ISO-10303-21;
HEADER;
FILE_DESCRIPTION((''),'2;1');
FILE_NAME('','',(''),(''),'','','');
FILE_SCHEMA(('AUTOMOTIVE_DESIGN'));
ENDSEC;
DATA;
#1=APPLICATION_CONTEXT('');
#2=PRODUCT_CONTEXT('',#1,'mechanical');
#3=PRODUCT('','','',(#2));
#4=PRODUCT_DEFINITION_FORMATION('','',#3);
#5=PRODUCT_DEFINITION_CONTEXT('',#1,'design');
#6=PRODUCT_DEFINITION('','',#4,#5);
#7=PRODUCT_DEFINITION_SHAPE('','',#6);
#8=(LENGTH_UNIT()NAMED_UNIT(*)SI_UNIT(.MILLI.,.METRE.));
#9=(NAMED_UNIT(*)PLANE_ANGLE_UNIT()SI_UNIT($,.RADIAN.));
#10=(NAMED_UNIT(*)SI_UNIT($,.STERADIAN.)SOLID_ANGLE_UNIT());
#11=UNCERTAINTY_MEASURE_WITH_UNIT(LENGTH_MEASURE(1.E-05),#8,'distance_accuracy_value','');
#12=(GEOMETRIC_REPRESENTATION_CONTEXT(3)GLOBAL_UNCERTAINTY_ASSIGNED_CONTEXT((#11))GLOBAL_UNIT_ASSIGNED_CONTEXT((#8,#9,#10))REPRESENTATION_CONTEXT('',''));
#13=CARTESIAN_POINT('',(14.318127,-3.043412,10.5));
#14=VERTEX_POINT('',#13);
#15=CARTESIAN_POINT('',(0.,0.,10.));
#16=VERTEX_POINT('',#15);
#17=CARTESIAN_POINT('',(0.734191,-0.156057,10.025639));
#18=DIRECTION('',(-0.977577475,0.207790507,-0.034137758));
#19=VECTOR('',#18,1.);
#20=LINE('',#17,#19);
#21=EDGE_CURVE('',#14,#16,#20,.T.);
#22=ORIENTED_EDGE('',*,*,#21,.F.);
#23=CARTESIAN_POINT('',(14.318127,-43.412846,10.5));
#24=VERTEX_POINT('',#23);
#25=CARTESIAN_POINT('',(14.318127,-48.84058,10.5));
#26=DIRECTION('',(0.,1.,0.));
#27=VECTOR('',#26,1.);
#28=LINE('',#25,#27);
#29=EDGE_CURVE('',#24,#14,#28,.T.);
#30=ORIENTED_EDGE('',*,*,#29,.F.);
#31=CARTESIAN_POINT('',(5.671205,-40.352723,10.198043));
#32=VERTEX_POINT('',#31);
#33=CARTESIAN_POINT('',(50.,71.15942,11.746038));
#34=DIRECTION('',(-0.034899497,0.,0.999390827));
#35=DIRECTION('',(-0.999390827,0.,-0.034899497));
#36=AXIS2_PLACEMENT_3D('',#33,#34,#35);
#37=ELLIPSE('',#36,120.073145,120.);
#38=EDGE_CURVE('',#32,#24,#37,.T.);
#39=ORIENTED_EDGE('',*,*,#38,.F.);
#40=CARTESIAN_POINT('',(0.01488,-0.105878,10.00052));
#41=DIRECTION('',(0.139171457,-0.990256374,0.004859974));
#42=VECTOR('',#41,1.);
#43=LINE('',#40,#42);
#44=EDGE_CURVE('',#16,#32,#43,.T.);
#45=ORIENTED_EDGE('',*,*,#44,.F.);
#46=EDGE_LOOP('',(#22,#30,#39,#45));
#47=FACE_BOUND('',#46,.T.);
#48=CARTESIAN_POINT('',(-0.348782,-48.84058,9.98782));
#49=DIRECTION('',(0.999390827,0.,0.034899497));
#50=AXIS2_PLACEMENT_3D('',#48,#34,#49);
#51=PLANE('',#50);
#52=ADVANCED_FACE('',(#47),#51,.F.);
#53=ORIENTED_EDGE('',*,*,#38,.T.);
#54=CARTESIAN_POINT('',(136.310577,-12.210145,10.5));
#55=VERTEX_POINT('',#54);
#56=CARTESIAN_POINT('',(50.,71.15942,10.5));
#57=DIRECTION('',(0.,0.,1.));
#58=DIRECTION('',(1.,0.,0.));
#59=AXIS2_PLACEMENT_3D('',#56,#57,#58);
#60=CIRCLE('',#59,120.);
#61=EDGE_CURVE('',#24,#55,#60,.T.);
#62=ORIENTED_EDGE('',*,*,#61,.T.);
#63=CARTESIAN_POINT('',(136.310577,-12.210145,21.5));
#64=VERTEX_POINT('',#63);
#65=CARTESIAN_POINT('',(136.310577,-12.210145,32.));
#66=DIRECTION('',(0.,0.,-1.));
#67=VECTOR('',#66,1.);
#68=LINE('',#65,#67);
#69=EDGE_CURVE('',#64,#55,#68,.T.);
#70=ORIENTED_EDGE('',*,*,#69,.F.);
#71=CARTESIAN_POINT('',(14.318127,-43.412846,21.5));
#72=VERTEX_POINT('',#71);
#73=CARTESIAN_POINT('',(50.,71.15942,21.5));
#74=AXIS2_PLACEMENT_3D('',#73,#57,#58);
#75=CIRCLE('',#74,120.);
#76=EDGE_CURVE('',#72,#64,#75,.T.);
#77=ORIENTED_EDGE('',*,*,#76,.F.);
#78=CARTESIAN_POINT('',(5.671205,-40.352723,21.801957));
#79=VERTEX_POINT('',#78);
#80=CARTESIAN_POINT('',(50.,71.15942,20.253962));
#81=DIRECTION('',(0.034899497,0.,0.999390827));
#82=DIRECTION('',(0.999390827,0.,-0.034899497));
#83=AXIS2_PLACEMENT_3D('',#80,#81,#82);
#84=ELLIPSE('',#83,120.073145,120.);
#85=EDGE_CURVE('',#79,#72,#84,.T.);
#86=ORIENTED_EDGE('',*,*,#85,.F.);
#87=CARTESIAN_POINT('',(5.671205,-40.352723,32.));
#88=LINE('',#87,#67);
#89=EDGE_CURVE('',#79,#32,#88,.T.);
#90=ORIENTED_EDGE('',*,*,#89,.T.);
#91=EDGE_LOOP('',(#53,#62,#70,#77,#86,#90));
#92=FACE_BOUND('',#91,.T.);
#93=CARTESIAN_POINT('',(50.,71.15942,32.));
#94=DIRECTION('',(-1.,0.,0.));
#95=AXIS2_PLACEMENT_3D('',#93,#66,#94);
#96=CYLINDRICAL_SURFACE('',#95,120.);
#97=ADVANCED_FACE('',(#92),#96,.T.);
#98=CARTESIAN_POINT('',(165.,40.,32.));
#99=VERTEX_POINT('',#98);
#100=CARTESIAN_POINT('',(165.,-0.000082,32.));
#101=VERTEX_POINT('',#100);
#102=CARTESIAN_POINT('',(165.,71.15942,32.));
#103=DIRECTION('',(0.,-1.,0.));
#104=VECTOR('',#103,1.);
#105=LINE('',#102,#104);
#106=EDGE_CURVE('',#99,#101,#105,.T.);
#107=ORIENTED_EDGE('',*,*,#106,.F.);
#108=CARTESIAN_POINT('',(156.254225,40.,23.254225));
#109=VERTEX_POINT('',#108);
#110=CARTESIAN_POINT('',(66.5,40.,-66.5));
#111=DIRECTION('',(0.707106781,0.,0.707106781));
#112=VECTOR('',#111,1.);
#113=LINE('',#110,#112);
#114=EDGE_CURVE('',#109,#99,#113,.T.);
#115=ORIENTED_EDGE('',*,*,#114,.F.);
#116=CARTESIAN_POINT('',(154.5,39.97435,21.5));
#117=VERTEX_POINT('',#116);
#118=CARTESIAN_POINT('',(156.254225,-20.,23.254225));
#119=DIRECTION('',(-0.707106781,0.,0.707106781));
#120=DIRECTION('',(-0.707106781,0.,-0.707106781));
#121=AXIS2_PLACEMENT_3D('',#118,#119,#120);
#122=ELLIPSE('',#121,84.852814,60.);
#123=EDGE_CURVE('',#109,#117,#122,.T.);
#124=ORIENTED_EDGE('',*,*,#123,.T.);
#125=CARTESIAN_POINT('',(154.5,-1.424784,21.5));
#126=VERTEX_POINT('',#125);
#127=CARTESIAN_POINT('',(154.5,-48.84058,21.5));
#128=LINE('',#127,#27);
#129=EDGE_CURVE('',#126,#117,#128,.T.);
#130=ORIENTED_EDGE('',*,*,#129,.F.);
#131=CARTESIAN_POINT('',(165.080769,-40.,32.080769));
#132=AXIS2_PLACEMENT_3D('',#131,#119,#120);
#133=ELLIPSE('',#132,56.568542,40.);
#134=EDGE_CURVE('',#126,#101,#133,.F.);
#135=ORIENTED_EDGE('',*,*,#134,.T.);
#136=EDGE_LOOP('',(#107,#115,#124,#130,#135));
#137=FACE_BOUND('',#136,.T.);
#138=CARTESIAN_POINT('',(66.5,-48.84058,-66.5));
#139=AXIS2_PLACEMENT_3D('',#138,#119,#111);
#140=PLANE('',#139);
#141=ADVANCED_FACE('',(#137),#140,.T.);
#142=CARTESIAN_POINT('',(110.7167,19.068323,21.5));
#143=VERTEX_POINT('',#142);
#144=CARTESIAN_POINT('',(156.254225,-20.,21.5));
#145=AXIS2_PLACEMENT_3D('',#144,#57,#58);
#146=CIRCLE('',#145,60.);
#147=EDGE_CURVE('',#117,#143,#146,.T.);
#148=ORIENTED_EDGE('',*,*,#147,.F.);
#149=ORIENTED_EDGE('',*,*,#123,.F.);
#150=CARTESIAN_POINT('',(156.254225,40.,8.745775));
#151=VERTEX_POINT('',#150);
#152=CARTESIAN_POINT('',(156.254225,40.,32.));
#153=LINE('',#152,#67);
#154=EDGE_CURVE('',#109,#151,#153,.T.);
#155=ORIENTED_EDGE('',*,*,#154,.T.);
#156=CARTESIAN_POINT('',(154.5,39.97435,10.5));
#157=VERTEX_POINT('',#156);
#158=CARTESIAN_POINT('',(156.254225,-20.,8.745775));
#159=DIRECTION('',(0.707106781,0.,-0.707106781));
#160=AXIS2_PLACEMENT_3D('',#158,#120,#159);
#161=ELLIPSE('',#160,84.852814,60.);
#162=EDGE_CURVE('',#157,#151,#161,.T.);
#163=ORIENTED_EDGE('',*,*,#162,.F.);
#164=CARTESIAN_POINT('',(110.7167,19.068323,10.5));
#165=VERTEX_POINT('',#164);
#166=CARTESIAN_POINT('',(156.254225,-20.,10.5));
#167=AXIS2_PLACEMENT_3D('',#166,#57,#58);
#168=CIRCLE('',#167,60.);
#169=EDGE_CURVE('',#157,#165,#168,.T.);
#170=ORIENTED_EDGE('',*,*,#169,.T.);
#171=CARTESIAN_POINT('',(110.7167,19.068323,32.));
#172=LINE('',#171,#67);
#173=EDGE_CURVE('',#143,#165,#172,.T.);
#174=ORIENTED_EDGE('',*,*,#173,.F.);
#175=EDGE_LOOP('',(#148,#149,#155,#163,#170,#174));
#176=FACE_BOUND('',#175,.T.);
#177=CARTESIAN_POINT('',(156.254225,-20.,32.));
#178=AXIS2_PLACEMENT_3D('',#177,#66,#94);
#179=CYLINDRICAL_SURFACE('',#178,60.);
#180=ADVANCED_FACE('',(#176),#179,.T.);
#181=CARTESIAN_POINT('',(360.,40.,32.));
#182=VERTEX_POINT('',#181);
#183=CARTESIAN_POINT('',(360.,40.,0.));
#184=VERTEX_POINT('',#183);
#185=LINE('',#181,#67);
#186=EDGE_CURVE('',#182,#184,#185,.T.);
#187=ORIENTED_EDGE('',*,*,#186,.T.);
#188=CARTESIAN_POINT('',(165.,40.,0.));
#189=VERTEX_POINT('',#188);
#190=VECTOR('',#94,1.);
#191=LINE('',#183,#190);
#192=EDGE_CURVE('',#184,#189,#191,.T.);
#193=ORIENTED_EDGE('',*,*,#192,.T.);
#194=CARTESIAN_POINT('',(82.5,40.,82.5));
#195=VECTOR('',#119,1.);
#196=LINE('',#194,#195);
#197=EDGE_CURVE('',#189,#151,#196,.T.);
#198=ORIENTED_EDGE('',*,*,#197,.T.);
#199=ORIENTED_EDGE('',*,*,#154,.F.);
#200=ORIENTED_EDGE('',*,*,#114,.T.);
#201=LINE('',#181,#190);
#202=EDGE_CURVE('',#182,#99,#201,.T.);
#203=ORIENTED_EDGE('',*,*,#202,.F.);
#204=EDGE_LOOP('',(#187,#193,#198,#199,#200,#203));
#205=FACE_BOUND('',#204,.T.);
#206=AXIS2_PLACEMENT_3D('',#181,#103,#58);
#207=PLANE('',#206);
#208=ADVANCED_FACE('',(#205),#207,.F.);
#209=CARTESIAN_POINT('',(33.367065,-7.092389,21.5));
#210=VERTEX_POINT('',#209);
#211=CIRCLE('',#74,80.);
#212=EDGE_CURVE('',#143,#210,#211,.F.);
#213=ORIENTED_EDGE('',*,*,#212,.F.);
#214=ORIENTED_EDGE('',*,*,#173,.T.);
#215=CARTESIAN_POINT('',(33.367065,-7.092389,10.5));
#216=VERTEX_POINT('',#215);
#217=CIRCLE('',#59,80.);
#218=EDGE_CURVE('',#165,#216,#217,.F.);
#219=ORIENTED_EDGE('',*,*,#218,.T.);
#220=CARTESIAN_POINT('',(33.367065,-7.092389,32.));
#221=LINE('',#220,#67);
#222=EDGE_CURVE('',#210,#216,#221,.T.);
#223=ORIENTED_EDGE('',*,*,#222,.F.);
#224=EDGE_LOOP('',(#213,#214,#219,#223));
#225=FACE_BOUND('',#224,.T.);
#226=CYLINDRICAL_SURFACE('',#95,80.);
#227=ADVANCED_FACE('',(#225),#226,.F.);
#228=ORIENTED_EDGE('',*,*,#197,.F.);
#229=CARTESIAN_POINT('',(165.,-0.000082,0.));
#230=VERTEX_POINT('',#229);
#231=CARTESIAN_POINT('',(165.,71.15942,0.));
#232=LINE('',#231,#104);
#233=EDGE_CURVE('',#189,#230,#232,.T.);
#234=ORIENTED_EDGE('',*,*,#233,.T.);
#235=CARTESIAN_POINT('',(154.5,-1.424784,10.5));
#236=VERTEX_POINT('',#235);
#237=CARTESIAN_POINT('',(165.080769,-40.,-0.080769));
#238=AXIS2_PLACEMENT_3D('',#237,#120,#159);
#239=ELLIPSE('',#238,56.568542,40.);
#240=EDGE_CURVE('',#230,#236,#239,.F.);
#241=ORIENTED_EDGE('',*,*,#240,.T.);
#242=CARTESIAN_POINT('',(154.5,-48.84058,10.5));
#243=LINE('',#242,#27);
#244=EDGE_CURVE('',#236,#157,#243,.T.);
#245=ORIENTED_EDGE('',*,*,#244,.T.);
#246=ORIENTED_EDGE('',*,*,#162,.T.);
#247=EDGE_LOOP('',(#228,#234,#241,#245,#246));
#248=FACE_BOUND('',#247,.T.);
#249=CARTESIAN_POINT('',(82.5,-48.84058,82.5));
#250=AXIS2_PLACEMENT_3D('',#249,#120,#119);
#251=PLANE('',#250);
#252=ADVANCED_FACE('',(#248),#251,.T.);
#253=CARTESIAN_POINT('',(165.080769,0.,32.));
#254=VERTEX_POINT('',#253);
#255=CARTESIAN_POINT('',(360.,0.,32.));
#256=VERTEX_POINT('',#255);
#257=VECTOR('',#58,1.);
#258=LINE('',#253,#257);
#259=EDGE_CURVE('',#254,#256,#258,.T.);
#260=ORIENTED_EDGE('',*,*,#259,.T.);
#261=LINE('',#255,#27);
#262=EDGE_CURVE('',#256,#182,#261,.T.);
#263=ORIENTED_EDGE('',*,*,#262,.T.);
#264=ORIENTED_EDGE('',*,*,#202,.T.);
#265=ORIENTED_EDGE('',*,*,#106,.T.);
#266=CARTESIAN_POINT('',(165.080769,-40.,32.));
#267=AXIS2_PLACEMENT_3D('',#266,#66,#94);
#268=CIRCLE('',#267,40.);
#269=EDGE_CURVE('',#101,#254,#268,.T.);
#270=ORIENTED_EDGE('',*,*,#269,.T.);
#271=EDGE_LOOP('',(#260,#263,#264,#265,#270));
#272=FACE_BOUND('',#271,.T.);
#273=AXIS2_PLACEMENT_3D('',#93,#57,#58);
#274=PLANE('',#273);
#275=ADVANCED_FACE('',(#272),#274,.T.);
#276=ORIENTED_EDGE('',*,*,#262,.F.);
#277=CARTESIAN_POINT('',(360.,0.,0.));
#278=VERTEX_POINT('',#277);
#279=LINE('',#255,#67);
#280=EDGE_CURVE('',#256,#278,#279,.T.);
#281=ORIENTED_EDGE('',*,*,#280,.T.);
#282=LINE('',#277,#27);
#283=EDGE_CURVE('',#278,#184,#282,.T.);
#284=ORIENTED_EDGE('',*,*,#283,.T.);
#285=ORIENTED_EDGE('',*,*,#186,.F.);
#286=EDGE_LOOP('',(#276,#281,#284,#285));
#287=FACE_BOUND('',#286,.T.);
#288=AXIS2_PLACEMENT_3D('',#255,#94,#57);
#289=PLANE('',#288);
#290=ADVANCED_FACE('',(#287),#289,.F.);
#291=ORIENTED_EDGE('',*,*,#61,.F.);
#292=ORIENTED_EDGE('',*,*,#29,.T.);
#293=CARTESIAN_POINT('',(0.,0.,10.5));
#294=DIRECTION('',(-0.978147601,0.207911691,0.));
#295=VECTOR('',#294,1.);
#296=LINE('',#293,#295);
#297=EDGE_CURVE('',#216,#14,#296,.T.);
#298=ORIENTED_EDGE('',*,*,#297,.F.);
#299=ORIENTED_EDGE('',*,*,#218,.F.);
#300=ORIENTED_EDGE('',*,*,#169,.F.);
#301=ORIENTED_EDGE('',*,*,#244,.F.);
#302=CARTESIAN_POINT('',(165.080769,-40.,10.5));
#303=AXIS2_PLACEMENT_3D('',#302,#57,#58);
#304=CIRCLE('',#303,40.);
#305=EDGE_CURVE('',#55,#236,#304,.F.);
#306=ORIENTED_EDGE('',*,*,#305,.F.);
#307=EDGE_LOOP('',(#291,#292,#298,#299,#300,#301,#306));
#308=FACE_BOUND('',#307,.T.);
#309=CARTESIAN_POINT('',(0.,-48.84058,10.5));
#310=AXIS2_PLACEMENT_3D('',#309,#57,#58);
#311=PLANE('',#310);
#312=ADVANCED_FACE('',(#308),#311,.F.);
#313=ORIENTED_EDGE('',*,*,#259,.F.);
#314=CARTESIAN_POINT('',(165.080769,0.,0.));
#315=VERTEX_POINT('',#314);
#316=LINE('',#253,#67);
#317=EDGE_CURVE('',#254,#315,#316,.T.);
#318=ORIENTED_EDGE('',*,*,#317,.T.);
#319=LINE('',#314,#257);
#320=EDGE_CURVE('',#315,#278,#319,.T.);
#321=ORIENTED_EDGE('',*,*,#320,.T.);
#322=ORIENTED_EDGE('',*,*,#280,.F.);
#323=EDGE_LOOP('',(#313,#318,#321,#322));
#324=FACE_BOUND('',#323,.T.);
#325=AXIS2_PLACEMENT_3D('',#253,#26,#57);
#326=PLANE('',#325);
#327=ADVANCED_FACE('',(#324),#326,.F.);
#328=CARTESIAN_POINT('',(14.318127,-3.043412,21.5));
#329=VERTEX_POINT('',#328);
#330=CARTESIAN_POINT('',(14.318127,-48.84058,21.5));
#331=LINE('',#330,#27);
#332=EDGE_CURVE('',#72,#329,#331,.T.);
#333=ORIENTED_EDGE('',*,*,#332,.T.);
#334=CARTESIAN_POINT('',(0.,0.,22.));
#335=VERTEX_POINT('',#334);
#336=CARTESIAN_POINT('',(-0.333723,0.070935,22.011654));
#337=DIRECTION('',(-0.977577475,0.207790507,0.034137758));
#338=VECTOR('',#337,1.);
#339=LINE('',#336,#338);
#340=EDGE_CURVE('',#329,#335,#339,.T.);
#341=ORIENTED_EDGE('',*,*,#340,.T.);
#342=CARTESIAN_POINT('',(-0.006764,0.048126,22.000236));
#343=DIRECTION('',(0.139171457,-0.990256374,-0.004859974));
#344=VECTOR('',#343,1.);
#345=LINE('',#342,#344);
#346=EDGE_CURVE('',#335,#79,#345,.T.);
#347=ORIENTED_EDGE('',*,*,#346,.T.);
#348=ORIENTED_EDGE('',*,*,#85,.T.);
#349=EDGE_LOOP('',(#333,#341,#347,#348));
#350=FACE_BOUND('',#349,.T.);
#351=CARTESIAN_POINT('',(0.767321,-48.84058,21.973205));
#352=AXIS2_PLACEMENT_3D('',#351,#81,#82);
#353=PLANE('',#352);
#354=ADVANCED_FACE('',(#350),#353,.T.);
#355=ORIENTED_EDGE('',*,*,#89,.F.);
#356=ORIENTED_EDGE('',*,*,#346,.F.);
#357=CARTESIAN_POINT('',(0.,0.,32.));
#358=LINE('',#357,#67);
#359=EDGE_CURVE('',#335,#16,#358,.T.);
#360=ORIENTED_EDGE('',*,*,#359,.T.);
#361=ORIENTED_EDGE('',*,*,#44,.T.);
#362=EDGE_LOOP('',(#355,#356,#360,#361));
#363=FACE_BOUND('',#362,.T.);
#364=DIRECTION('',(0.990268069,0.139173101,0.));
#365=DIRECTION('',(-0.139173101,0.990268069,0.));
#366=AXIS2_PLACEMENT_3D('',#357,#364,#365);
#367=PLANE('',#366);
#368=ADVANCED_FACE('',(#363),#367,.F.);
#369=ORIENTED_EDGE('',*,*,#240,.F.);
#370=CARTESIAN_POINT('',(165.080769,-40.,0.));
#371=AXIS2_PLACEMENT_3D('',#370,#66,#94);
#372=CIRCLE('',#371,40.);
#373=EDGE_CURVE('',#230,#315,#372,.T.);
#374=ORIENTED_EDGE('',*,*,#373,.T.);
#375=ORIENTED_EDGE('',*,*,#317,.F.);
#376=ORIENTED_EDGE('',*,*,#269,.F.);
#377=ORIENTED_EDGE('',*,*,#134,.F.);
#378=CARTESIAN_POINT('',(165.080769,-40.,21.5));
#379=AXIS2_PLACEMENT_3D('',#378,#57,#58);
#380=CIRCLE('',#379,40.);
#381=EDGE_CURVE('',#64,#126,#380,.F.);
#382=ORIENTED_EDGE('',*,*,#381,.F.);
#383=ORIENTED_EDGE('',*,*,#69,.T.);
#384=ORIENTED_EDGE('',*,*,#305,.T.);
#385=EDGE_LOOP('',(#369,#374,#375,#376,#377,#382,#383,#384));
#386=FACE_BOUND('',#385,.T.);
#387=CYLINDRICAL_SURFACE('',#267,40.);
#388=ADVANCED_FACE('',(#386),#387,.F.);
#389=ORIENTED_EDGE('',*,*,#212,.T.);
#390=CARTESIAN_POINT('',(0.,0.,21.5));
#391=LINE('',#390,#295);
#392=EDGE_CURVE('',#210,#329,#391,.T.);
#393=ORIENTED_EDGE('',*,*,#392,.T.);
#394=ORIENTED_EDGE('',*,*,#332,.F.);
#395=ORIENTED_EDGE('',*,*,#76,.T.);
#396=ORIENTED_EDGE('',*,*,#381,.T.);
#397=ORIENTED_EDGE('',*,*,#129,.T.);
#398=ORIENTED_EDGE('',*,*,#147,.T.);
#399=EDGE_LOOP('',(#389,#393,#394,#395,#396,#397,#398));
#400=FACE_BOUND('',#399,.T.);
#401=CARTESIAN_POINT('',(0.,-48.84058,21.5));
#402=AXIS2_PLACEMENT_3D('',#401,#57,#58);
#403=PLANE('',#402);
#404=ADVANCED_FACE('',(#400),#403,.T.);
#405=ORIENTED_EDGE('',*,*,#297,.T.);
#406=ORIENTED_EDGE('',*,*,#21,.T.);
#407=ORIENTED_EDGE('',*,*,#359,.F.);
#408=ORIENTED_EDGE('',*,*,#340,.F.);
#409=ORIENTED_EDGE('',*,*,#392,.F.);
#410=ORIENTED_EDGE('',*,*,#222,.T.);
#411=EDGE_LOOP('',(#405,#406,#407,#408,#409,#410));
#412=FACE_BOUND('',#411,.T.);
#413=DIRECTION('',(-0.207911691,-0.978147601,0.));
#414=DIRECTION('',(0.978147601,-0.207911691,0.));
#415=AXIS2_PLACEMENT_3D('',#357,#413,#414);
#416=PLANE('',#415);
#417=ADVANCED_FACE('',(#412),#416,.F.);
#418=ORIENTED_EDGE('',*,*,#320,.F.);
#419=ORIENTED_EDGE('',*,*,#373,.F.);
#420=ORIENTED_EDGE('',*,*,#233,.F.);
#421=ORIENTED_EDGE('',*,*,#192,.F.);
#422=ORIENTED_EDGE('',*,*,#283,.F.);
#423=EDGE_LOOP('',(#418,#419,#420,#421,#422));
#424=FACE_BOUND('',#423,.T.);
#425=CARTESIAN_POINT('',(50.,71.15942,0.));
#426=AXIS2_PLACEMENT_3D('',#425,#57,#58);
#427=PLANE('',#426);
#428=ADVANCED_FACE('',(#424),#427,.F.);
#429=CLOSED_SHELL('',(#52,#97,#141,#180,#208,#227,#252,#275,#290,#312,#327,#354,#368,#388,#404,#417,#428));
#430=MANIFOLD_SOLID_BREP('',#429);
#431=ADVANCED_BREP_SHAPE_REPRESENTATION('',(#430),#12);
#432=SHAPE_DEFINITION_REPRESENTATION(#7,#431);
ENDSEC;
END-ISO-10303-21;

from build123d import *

# Parameters (mm, degrees)
BOSS_EXTRUDE1_DEPTH = 32
CUT_EXTRUDE1_DEPTH  = 373.178248616
CUT_EXTRUDE2_DEPTH  = 373.178248616


with BuildPart() as part:
    # Sketch1 → Boss-Extrude1 (new body)
    with BuildSketch(Plane.XY):
        with BuildLine():
            Line((0, 0), (5.6712054, -40.352723193))
            ThreePointArc((5.6712054, -40.352723193), (75.270905948, -46.149494531), (136.31057695, -12.210145124))
            ThreePointArc((136.31057695, -12.210145124), (149.453776515, -3.178849861), (165.080769267, 0))
            Line((165.080769267, 0), (360, 0))
            Line((360, 0), (360, 40))
            Line((360, 40), (156.254224553, 40))
            ThreePointArc((156.254224553, 40), (131.195287612, 34.51650832), (110.716699745, 19.068322645))
            ThreePointArc((110.716699745, 19.068322645), (75.630846168, -4.623558298), (33.367064735, -7.092388553))
            Line((33.367064735, -7.092388553), (0, 0))
        make_face()
    extrude(amount=BOSS_EXTRUDE1_DEPTH)

    # Sketch3 → Cut-Extrude1 (cut, through all)
    with BuildSketch(Plane(origin=(0, 40, 0), x_dir=(1, 0, 0), z_dir=(0, 1, 0))):
        Polygon((165, 0), (0, 0), (0, -10), (155, -10), align=None)
        Polygon((0, -32), (165, -32), (155, -22), (0, -22), align=None)
    extrude(amount=-CUT_EXTRUDE1_DEPTH, mode=Mode.SUBTRACT)

    # Sketch4 → Cut-Extrude2 (cut, through all)
    with BuildSketch(Plane(origin=(0, 40, 0), x_dir=(1, 0, 0), z_dir=(0, 1, 0))):
        Polygon((155, -10), (0, -10), (14.318126641, -10.5), (154.5, -10.5), align=None)
        Polygon((14.318126641, -21.5), (0, -22), (155, -22), (154.5, -21.5), align=None)
    extrude(amount=-CUT_EXTRUDE2_DEPTH, mode=Mode.SUBTRACT)


solid = part.part
